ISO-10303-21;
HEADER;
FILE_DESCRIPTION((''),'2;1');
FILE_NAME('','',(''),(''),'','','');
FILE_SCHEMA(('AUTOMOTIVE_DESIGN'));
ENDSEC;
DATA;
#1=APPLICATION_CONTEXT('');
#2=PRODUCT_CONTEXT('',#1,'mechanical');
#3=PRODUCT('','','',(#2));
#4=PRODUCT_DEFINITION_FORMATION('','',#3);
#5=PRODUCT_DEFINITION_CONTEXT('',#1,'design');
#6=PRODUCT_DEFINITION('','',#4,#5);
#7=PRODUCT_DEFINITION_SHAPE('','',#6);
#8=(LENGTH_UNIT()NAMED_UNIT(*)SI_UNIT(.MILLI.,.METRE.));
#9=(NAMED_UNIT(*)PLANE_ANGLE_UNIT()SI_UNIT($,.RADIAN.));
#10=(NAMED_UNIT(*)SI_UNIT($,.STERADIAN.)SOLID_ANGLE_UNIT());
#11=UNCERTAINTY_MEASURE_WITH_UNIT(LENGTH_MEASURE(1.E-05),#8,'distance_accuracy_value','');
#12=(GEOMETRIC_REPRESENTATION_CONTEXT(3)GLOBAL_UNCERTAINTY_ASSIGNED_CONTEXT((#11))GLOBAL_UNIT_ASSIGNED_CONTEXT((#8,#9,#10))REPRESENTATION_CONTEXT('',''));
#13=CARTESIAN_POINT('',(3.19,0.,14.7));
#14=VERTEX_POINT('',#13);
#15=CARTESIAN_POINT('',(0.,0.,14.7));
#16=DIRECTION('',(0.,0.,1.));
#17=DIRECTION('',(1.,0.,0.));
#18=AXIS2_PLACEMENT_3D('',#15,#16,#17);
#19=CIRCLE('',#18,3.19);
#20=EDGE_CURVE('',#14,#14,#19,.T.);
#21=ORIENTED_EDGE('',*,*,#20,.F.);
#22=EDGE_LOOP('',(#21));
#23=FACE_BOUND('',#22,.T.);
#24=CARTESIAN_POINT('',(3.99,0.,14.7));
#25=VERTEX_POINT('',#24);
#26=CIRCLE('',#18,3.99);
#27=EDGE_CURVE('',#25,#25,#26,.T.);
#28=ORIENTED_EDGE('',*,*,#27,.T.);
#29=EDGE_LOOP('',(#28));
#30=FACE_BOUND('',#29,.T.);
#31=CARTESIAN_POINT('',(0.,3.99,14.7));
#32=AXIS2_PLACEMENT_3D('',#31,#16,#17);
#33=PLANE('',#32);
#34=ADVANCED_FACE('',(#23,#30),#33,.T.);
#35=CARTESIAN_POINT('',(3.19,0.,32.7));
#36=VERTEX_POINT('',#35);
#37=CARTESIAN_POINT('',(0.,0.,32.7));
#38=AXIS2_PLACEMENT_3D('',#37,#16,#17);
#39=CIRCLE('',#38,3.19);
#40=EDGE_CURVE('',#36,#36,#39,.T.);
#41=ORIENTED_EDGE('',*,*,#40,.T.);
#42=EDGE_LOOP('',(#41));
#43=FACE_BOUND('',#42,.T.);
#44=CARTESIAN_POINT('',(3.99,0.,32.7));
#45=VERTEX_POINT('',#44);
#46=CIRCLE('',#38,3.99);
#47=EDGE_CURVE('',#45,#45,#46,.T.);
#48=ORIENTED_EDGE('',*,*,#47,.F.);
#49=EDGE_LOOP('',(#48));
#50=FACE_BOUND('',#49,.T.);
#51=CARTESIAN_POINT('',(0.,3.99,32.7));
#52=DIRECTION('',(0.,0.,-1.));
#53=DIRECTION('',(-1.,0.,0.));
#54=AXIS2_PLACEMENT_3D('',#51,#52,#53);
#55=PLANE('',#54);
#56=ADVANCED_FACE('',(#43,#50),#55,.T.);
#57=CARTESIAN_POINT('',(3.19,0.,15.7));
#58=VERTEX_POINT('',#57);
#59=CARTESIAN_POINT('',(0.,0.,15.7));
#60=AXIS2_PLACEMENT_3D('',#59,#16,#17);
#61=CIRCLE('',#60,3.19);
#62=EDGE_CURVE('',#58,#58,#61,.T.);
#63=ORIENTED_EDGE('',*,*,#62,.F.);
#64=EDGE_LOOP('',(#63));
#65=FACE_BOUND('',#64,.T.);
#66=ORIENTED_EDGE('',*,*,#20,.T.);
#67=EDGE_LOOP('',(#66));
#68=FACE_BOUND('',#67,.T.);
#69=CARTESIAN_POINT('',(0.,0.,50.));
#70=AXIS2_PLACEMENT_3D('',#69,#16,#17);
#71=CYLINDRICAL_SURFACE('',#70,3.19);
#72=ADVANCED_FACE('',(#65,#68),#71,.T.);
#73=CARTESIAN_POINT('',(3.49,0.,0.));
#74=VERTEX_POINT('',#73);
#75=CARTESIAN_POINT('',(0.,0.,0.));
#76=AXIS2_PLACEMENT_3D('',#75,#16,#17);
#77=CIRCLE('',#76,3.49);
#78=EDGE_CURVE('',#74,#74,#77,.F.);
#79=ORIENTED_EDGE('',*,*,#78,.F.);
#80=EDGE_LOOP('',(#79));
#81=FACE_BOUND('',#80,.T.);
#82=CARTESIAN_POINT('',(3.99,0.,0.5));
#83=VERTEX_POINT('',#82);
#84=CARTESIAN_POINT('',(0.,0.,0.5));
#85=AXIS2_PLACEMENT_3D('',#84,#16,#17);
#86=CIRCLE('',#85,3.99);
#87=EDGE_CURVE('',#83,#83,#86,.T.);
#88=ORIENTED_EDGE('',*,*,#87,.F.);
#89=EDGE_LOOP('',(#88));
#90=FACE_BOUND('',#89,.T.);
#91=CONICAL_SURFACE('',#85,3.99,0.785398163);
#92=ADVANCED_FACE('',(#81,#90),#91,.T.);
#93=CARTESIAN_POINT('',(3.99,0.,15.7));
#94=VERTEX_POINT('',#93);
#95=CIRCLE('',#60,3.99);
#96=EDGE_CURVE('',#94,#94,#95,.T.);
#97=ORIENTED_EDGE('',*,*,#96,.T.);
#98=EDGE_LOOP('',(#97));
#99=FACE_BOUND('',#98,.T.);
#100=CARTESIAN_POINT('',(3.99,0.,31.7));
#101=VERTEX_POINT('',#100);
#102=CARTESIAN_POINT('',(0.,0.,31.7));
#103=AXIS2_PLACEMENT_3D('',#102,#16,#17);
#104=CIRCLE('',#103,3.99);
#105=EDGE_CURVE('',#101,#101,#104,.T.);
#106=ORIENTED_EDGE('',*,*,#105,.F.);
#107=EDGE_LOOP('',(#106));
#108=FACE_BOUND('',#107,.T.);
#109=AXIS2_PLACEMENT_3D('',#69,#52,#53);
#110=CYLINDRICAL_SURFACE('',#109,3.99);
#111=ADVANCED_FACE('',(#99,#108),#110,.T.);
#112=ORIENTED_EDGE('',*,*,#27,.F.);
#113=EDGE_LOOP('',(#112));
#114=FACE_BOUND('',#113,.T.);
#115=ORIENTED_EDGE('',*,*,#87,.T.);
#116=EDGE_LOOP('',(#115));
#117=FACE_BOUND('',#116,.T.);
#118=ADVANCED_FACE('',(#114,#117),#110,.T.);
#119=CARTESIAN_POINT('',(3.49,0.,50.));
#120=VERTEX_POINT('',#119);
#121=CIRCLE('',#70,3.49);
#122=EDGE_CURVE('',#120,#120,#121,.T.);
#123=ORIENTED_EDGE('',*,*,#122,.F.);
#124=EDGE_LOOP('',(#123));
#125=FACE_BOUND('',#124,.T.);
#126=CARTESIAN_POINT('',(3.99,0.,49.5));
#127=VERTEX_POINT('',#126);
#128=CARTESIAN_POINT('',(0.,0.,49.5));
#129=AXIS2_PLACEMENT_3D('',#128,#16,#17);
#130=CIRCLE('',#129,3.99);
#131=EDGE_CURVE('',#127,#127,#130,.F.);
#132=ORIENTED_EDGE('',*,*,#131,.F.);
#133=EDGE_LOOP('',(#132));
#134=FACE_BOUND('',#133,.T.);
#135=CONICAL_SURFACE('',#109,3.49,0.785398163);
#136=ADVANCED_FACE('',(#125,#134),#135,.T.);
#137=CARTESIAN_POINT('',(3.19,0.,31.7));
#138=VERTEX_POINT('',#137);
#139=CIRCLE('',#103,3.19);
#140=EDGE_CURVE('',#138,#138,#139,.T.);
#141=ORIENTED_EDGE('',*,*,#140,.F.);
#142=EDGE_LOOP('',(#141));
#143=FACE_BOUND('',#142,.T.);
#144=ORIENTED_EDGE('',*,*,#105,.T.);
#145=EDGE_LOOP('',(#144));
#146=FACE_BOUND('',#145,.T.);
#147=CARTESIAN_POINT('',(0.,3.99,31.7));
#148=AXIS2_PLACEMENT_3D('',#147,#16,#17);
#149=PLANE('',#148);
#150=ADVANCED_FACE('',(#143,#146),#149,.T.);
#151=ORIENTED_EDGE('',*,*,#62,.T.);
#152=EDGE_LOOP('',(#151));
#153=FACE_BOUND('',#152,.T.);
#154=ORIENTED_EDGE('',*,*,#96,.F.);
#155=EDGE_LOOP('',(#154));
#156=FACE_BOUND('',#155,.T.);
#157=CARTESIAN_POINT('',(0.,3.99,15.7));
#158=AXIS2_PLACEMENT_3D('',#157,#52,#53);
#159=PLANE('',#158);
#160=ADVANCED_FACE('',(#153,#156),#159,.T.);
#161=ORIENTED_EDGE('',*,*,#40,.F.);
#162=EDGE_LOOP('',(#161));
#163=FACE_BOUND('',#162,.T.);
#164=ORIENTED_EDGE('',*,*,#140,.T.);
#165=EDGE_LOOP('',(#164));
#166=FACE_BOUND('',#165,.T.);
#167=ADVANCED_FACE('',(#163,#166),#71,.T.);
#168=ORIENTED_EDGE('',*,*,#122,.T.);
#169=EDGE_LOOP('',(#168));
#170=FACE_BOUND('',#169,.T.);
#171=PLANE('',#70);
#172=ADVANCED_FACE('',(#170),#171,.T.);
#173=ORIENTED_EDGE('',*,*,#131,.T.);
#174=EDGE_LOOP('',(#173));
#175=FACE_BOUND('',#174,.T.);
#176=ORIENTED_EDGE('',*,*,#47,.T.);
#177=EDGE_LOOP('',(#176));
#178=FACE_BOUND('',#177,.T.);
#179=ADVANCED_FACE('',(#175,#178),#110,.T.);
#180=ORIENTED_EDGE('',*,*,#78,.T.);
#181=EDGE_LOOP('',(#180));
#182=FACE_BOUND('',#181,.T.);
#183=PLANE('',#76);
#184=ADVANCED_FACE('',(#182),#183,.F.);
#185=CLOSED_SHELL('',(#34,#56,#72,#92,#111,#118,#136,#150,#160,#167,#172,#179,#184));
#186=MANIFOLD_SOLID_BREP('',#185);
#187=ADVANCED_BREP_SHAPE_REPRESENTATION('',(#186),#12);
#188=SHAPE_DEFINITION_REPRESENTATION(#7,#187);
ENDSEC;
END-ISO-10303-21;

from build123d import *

# Parameters (mm, degrees)
CROQUIS1_R              = 3.99
SALIENTE_EXTRUIR1_DEPTH = 50
CROQUIS2_W              = 1
CROQUIS2_H              = 0.8
CHAFL_N1_SIZE           = 0.5


with BuildPart() as part:
    # Croquis1 → Saliente-Extruir1 (new body)
    with BuildSketch(Plane.XY):
        Circle(CROQUIS1_R)
    extrude(amount=SALIENTE_EXTRUIR1_DEPTH)

    # Croquis2 → Cortar-Revolución1 (revolve, cut)
    with BuildSketch(Plane(origin=(0, 0, 0), x_dir=(0, 0, -1), z_dir=(1, 0, 0))):
        with Locations((-15.2, 3.59)):
            Rectangle(CROQUIS2_W, CROQUIS2_H)
        with Locations((-32.2, 3.59)):
            Rectangle(CROQUIS2_W, CROQUIS2_H)
    revolve(axis=Axis((0, 0, 50), (0, 0, -1)), mode=Mode.SUBTRACT)

    # Chaflán1
    chafl_n1_edges = [part.edges().sort_by_distance(p)[0] for p in [
        (-3.99, 0, 0),
        (-3.99, 0, 50),
    ]]
    chamfer(chafl_n1_edges, length=CHAFL_N1_SIZE)


solid = part.part
